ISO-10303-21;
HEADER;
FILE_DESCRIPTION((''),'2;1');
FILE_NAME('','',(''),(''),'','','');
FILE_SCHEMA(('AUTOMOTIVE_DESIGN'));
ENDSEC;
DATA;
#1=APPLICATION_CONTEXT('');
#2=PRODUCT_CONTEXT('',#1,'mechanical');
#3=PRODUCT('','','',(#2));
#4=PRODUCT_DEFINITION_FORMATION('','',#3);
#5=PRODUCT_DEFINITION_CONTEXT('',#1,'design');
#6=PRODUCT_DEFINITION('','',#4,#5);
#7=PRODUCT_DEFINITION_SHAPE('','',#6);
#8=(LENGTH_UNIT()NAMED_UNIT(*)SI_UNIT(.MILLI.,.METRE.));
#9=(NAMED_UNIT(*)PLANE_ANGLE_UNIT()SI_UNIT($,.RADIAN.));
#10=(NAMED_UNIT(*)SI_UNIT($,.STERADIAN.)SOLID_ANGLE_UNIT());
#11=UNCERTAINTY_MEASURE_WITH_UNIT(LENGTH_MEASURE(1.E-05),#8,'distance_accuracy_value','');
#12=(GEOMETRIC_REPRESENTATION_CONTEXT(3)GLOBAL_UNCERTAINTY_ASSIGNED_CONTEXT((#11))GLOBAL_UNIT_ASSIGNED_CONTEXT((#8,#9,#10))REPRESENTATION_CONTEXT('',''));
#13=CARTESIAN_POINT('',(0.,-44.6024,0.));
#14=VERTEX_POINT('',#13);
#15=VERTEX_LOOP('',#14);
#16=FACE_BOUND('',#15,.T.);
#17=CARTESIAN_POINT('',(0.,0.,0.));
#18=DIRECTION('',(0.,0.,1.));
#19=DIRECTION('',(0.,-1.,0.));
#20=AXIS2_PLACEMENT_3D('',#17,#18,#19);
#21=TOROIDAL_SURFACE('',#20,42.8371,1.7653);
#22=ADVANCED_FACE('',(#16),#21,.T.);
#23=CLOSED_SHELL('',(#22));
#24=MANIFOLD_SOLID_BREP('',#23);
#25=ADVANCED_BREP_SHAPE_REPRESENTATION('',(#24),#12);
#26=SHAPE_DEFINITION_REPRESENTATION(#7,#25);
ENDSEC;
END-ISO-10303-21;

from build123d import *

# Parameters (mm, degrees)
SKETCH2_R = 1.7653


with BuildPart() as part:
    # Sketch2 → Revolve1 (revolve)
    with BuildSketch(Plane(origin=(0, 0, 0), x_dir=(0, 0, -1), z_dir=(1, 0, 0)), mode=Mode.PRIVATE) as revolve1_sk:
        with Locations((0, 42.8371)):
            Circle(SKETCH2_R)
    revolve(revolve1_sk.sketch.rotate(Axis((0, 0, 41.0718), (0, 0, -1)), 180), axis=Axis((0, 0, 41.0718), (0, 0, -1)))


solid = part.part
